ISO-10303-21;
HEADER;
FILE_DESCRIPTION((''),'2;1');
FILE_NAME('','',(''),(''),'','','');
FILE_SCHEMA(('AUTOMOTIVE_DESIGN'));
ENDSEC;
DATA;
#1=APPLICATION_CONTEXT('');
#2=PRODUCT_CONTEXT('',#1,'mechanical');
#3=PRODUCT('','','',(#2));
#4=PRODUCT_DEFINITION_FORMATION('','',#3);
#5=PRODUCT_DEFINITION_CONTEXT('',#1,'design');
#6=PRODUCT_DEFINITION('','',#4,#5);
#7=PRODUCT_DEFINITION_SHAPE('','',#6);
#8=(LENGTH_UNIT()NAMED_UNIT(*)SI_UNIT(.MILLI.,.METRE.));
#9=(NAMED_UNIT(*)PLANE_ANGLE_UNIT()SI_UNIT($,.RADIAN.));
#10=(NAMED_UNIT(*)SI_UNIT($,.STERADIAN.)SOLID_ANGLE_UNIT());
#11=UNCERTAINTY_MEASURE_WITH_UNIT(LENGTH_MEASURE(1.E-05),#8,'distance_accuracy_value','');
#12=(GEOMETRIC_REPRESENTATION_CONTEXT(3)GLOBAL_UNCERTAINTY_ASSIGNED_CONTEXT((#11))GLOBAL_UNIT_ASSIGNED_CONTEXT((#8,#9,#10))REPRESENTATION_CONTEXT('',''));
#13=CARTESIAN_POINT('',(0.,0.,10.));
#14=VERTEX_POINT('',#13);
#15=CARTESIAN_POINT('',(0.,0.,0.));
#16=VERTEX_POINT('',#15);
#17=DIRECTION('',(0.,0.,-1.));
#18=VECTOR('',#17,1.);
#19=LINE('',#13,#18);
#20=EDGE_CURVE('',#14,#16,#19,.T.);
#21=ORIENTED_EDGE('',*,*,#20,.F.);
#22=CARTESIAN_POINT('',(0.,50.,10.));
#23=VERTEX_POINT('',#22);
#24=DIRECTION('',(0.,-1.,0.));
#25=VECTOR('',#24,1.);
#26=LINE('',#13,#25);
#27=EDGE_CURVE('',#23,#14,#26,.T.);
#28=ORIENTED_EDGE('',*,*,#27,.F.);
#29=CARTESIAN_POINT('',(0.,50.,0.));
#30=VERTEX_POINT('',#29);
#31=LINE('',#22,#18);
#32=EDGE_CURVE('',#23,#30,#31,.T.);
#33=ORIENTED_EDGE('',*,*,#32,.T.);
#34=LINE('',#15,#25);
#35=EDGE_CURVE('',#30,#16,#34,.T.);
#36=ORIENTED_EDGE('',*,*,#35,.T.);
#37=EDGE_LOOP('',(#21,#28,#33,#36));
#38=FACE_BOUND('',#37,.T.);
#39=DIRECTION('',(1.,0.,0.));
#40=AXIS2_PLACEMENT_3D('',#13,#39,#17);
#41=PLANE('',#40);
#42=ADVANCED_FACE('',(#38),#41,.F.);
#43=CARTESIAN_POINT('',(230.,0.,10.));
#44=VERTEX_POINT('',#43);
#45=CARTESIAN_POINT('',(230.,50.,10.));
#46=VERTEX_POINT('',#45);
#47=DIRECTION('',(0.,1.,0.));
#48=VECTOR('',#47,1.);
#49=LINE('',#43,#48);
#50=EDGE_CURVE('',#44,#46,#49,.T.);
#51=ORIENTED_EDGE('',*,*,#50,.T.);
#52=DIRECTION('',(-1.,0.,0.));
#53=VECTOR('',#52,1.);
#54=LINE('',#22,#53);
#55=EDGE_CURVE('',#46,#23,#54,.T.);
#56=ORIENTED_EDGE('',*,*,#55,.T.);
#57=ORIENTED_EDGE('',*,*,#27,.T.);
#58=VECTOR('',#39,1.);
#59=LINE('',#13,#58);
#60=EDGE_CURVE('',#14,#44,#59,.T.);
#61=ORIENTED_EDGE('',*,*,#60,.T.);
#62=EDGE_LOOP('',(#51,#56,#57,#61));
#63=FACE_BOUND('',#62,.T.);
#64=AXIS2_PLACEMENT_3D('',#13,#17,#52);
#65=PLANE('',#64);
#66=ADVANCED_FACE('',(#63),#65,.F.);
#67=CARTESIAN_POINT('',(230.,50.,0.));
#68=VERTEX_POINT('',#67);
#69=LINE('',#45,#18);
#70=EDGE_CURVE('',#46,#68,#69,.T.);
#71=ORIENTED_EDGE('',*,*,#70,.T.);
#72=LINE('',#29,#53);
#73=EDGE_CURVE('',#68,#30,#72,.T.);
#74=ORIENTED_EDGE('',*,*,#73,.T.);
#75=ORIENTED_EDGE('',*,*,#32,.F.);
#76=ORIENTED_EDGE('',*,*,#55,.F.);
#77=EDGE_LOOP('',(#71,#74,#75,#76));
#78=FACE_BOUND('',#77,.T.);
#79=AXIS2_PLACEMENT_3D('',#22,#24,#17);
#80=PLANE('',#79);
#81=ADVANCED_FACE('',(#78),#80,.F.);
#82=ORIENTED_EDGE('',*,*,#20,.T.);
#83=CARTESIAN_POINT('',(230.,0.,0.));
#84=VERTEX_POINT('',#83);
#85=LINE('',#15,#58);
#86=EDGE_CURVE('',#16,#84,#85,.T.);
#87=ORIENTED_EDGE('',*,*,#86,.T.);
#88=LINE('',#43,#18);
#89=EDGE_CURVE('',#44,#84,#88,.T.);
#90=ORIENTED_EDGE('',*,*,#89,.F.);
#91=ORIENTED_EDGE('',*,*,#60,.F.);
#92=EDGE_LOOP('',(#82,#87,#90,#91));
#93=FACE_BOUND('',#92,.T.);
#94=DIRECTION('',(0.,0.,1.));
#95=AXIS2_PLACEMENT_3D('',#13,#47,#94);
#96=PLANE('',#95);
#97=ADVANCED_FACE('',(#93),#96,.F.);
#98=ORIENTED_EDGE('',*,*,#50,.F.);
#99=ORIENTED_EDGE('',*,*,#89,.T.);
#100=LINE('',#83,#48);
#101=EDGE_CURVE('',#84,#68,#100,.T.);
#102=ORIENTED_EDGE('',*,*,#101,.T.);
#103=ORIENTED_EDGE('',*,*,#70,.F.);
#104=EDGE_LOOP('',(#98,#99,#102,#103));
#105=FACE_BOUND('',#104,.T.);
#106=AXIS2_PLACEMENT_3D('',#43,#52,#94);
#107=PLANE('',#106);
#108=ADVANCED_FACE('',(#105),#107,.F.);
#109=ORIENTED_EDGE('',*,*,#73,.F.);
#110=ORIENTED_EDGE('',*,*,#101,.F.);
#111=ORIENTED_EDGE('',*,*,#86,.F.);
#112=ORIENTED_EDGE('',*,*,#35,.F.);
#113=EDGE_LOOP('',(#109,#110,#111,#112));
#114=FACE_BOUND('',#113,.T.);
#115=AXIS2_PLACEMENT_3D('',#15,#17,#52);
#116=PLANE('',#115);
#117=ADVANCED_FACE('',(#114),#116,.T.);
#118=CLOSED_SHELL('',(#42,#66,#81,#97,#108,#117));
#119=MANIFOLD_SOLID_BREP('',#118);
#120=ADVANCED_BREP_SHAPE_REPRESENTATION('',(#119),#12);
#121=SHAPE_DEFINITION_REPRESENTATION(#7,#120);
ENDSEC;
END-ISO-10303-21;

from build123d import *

# Parameters (mm, degrees)
SKETCH_1_W      = 230
SKETCH_1_H      = 50
EXTRUDE_1_DEPTH = 10


with BuildPart() as part:
    # 草图1 → 凸台-拉伸1 (new body)
    with BuildSketch(Plane.XY):
        with Locations((115, 25)):
            Rectangle(SKETCH_1_W, SKETCH_1_H)
    extrude(amount=EXTRUDE_1_DEPTH)


solid = part.part
